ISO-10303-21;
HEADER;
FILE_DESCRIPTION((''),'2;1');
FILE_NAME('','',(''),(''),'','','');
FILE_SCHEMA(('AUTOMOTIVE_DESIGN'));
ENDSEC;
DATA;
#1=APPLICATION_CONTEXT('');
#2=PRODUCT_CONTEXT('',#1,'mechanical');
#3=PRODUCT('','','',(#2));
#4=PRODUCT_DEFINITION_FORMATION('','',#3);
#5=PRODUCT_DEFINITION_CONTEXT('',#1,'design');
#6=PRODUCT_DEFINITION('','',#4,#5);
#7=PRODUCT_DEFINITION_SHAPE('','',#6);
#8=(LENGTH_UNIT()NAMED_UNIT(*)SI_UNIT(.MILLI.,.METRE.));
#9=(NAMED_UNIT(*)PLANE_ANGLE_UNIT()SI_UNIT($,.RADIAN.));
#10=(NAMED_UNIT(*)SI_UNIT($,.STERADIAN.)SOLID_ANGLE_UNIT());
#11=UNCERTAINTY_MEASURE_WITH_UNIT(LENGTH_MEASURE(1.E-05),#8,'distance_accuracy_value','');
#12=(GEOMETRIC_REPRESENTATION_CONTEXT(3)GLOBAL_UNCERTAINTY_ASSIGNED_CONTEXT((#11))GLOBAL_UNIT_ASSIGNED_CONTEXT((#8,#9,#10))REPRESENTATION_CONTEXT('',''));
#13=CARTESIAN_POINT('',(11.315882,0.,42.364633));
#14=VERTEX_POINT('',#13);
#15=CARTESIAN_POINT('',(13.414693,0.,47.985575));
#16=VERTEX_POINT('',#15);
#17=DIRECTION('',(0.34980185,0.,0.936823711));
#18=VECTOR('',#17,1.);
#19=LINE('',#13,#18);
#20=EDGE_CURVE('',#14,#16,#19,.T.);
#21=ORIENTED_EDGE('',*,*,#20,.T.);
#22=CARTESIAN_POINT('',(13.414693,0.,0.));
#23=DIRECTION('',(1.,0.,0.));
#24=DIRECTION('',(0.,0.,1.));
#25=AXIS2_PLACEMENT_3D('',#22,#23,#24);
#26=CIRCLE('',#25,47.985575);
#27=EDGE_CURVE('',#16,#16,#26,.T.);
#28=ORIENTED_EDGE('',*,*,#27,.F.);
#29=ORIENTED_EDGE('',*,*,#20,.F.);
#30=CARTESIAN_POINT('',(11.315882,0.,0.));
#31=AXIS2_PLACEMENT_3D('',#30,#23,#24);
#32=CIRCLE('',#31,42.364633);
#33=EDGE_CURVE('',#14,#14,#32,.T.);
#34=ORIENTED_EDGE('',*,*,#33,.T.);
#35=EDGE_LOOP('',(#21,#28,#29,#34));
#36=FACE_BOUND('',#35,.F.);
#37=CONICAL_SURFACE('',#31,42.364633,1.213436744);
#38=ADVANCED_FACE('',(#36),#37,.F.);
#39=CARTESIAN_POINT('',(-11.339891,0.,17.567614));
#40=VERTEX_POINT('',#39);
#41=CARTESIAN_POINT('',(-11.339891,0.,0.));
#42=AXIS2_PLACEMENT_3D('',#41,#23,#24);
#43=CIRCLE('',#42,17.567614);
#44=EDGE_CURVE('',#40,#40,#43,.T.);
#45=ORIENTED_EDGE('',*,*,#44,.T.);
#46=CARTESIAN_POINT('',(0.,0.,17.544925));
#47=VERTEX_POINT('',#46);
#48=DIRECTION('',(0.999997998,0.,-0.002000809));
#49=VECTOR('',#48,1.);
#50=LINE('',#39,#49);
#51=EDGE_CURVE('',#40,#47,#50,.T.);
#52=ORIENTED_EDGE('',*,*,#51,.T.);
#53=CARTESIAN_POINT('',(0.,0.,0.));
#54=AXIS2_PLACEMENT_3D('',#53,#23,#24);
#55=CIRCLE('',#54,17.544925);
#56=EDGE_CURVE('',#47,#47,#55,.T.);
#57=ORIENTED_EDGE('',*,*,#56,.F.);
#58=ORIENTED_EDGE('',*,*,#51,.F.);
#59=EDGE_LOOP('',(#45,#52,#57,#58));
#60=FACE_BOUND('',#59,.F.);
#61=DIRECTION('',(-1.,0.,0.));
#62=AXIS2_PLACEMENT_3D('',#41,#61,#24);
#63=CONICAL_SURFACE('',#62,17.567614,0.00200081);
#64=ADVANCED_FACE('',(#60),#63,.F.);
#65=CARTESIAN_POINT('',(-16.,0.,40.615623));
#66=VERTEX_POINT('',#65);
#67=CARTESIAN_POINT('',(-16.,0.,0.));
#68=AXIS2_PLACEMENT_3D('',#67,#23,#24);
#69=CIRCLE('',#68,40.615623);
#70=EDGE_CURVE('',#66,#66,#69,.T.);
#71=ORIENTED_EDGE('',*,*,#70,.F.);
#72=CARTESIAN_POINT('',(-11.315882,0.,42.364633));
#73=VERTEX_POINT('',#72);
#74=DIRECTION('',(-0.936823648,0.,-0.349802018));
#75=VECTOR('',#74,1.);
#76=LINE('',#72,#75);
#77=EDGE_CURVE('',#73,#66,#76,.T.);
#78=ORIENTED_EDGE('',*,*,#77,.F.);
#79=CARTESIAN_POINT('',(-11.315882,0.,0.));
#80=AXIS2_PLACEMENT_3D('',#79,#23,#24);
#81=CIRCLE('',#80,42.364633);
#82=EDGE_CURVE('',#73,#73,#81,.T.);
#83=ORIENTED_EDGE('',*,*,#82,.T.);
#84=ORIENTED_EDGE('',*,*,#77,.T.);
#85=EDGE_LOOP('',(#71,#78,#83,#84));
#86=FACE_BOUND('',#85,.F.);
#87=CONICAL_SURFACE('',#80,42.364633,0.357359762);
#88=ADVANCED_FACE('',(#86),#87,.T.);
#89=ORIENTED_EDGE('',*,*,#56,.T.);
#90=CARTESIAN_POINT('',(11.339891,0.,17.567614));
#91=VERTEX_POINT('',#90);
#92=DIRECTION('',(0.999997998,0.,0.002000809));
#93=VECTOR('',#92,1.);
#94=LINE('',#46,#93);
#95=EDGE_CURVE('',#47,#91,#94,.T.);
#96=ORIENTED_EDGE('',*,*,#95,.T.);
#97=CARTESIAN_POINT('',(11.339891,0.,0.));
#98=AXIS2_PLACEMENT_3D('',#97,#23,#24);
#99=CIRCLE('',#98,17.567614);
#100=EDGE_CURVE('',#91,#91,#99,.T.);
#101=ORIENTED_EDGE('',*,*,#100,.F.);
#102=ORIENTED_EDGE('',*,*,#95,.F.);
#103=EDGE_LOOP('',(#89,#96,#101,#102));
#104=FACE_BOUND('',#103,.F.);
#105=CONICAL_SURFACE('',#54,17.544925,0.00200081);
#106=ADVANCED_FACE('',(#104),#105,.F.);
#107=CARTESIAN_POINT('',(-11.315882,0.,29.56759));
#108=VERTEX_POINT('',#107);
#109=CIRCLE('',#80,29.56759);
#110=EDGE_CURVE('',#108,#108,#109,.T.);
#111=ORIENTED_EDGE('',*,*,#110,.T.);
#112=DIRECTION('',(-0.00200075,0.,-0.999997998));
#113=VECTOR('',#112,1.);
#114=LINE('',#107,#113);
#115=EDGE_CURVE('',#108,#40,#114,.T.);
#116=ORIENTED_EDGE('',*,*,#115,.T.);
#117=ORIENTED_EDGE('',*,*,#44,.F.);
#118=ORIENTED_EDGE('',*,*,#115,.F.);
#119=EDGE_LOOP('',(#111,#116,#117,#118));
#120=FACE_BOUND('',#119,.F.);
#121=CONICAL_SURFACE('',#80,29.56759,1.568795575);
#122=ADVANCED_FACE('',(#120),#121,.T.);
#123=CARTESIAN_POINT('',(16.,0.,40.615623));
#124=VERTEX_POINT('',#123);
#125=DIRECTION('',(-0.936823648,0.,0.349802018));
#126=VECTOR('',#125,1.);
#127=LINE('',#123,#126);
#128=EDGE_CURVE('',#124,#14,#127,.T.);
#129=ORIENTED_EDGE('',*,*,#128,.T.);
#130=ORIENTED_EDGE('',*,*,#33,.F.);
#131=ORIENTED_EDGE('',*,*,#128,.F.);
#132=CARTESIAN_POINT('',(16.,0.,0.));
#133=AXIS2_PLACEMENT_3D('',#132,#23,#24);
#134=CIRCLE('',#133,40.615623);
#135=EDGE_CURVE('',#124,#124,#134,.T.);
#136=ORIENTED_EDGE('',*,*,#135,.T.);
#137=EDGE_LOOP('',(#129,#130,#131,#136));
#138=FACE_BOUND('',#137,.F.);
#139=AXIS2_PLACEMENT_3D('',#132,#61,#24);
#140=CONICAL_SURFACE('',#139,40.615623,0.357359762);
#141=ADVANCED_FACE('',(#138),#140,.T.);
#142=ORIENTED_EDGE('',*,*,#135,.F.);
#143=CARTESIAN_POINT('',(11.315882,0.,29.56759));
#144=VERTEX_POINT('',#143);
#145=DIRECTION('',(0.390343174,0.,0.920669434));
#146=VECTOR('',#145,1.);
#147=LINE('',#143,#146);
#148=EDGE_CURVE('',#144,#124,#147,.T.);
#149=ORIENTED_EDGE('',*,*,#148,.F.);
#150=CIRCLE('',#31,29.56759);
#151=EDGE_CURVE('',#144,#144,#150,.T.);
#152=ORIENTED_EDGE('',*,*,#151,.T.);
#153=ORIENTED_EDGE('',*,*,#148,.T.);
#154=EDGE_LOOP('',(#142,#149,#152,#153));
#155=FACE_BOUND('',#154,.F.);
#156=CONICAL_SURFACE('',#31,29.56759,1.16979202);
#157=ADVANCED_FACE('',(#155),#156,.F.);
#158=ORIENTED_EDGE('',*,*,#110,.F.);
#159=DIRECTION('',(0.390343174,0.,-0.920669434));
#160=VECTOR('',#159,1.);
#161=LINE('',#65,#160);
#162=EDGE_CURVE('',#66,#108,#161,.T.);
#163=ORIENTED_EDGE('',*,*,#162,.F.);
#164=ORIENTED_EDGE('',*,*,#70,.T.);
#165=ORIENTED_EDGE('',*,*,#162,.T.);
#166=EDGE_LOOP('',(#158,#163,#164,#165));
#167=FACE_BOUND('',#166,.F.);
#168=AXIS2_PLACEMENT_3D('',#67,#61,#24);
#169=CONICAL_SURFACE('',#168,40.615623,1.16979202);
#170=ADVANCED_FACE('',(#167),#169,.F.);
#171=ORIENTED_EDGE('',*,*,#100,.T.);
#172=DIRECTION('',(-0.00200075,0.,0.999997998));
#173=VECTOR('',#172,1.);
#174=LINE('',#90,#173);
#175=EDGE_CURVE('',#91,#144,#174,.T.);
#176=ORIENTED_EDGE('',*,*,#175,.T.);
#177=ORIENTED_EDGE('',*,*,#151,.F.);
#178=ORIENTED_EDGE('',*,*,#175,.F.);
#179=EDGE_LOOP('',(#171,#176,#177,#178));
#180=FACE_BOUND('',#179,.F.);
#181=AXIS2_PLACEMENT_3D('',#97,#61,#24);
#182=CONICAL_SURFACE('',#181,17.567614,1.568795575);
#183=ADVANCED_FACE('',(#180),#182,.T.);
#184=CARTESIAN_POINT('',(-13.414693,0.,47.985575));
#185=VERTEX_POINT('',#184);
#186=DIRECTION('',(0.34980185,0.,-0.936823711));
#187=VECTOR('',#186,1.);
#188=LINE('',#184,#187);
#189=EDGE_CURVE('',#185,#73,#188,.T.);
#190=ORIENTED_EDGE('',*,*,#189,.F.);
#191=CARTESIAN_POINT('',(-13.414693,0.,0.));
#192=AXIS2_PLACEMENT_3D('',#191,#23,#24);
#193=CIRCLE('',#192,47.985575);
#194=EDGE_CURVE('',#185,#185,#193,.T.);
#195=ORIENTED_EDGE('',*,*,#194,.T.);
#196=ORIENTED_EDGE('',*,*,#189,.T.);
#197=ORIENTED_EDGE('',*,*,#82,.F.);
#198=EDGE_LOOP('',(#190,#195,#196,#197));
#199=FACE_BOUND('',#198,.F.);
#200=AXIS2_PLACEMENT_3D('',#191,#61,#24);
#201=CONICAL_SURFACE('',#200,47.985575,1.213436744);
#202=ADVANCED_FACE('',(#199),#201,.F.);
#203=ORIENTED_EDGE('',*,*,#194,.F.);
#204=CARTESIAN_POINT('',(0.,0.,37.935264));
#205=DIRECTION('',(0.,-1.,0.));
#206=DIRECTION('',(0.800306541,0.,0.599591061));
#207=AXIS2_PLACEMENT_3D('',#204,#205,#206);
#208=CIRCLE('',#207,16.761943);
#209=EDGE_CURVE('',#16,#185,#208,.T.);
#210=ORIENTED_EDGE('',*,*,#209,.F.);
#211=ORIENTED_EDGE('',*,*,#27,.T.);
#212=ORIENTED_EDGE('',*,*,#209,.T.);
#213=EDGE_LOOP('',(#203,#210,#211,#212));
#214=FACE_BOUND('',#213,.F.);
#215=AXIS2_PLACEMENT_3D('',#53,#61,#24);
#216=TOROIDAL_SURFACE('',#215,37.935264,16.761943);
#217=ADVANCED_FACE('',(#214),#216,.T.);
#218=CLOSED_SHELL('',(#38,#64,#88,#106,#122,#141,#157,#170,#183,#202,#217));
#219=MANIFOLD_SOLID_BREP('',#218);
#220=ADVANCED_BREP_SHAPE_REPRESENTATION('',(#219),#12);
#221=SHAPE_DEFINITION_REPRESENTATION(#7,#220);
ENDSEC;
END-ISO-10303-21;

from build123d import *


with BuildPart() as f1:
    # F0 (on Front) → F1 (revolve)
    with BuildSketch(Plane.XZ):
        Polygon((11.339891, 17.567614), (11.315882, 29.56759), (0, 29.544949), (-11.315882, 29.56759), (-11.339891, 17.567614), (0, 17.544925), align=None)
        with BuildLine():
            Line((11.315882, 42.364633), (13.414693, 47.985575))
            ThreePointArc((13.414693, 47.985575), (0, 54.697207), (-13.414693, 47.985575))
            Line((-13.414693, 47.985575), (-11.315882, 42.364633))
            Line((-11.315882, 42.364633), (-16, 40.615623))
            Line((-16, 40.615623), (-11.315882, 29.56759))
            Line((-11.315882, 29.56759), (0, 29.544949))
            Line((0, 29.544949), (11.315882, 29.56759))
            Line((11.315882, 29.56759), (16, 40.615623))
            Line((16, 40.615623), (11.315882, 42.364633))
        make_face()
    revolve(axis=Axis((3.866119, 0, 0), (1, 0, 0)))


solid = f1.part
